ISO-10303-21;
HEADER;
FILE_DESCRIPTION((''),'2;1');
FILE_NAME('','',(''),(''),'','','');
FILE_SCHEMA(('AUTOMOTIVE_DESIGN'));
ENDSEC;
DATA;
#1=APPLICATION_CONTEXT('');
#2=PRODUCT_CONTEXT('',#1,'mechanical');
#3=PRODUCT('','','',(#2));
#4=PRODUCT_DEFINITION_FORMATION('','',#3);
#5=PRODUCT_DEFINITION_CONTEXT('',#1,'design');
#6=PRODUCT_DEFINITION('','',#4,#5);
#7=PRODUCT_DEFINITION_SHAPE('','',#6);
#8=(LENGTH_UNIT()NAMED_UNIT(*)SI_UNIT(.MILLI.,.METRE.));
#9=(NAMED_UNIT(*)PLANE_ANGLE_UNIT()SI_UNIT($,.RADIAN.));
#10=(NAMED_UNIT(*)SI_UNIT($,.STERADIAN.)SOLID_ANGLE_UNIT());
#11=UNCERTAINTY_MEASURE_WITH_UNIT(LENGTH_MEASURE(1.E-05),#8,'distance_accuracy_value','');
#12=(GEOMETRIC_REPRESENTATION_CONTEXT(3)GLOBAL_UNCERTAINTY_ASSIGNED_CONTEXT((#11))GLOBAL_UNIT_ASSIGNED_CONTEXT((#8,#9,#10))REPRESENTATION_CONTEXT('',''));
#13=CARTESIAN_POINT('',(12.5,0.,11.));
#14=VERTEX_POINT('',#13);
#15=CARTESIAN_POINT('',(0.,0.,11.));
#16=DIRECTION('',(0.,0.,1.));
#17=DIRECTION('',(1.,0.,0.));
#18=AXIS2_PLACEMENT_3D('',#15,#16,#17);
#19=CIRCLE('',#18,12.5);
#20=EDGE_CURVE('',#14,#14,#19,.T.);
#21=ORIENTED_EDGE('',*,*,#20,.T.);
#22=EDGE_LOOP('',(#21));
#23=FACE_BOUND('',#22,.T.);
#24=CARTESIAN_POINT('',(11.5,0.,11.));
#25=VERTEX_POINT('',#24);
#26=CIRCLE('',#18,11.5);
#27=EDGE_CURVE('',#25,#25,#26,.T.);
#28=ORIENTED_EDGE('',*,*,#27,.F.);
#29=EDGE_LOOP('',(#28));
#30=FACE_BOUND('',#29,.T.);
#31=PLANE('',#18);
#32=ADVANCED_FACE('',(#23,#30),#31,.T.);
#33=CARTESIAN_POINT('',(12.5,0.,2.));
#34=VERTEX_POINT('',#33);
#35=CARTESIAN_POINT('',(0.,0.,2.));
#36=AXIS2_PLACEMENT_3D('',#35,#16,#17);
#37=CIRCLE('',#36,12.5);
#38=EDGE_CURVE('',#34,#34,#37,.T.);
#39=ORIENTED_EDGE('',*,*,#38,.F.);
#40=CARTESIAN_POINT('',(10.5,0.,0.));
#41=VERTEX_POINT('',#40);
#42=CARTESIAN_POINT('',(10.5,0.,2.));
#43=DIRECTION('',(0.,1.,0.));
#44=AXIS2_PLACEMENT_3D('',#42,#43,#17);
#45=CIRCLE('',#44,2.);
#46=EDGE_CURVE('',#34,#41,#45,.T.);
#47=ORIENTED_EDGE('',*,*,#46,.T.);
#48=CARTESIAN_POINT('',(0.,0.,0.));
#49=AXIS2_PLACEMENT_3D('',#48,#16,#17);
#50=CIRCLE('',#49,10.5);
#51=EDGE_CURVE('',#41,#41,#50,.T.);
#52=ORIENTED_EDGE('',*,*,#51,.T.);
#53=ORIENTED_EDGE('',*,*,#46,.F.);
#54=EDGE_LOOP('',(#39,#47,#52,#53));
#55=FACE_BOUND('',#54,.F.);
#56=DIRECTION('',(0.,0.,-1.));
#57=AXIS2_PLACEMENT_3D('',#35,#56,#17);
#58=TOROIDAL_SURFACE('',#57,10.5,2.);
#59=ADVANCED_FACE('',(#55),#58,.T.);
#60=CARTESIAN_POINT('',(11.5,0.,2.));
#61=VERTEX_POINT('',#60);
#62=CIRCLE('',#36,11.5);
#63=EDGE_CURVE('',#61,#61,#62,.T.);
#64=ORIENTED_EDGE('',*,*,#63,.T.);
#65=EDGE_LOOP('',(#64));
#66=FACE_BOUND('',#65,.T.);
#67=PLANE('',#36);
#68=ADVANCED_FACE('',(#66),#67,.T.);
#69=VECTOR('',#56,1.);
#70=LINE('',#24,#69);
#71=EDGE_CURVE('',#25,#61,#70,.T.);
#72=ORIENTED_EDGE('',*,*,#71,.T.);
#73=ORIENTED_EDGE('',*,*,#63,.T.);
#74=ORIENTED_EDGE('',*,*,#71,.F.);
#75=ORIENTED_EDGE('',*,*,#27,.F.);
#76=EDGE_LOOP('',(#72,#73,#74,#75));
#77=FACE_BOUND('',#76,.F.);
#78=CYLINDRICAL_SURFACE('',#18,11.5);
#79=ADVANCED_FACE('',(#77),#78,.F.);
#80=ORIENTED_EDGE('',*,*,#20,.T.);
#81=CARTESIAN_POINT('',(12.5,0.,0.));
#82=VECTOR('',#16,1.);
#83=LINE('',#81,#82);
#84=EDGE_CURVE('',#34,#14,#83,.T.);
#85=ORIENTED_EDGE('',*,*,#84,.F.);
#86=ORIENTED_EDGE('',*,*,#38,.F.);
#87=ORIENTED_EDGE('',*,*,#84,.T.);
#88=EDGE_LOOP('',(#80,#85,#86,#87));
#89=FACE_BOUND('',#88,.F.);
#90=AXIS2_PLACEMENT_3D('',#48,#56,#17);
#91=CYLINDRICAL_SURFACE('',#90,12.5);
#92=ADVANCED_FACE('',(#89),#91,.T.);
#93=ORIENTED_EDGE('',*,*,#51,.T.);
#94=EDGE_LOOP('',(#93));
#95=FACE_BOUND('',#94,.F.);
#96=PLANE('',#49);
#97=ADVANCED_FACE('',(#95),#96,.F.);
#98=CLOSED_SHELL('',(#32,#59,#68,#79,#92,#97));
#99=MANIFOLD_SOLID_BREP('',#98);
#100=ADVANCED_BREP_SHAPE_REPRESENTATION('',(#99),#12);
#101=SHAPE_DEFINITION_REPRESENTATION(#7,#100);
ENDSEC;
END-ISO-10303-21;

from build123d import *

# Parameters (mm, degrees)
F0_R     = 12.5
F1_DEPTH = 11
F2_R     = 11.5
F3_DEPTH = 9
F4_R     = 2


with BuildPart() as f1:
    # F0 (on Top) → F1 (new body)
    with BuildSketch(Plane.XY):
        Circle(F0_R)
    extrude(amount=F1_DEPTH)

    # F2 (on face) → F3 (cut)
    with BuildSketch(Plane.XY.offset(11)):
        Circle(F2_R)
    extrude(amount=-F3_DEPTH, mode=Mode.SUBTRACT)

    # F4
    f4_edges = [f1.edges().sort_by_distance(p)[0] for p in [
        (-12.5, 0, 0),
    ]]
    fillet(f4_edges, radius=F4_R)


solid = f1.part
